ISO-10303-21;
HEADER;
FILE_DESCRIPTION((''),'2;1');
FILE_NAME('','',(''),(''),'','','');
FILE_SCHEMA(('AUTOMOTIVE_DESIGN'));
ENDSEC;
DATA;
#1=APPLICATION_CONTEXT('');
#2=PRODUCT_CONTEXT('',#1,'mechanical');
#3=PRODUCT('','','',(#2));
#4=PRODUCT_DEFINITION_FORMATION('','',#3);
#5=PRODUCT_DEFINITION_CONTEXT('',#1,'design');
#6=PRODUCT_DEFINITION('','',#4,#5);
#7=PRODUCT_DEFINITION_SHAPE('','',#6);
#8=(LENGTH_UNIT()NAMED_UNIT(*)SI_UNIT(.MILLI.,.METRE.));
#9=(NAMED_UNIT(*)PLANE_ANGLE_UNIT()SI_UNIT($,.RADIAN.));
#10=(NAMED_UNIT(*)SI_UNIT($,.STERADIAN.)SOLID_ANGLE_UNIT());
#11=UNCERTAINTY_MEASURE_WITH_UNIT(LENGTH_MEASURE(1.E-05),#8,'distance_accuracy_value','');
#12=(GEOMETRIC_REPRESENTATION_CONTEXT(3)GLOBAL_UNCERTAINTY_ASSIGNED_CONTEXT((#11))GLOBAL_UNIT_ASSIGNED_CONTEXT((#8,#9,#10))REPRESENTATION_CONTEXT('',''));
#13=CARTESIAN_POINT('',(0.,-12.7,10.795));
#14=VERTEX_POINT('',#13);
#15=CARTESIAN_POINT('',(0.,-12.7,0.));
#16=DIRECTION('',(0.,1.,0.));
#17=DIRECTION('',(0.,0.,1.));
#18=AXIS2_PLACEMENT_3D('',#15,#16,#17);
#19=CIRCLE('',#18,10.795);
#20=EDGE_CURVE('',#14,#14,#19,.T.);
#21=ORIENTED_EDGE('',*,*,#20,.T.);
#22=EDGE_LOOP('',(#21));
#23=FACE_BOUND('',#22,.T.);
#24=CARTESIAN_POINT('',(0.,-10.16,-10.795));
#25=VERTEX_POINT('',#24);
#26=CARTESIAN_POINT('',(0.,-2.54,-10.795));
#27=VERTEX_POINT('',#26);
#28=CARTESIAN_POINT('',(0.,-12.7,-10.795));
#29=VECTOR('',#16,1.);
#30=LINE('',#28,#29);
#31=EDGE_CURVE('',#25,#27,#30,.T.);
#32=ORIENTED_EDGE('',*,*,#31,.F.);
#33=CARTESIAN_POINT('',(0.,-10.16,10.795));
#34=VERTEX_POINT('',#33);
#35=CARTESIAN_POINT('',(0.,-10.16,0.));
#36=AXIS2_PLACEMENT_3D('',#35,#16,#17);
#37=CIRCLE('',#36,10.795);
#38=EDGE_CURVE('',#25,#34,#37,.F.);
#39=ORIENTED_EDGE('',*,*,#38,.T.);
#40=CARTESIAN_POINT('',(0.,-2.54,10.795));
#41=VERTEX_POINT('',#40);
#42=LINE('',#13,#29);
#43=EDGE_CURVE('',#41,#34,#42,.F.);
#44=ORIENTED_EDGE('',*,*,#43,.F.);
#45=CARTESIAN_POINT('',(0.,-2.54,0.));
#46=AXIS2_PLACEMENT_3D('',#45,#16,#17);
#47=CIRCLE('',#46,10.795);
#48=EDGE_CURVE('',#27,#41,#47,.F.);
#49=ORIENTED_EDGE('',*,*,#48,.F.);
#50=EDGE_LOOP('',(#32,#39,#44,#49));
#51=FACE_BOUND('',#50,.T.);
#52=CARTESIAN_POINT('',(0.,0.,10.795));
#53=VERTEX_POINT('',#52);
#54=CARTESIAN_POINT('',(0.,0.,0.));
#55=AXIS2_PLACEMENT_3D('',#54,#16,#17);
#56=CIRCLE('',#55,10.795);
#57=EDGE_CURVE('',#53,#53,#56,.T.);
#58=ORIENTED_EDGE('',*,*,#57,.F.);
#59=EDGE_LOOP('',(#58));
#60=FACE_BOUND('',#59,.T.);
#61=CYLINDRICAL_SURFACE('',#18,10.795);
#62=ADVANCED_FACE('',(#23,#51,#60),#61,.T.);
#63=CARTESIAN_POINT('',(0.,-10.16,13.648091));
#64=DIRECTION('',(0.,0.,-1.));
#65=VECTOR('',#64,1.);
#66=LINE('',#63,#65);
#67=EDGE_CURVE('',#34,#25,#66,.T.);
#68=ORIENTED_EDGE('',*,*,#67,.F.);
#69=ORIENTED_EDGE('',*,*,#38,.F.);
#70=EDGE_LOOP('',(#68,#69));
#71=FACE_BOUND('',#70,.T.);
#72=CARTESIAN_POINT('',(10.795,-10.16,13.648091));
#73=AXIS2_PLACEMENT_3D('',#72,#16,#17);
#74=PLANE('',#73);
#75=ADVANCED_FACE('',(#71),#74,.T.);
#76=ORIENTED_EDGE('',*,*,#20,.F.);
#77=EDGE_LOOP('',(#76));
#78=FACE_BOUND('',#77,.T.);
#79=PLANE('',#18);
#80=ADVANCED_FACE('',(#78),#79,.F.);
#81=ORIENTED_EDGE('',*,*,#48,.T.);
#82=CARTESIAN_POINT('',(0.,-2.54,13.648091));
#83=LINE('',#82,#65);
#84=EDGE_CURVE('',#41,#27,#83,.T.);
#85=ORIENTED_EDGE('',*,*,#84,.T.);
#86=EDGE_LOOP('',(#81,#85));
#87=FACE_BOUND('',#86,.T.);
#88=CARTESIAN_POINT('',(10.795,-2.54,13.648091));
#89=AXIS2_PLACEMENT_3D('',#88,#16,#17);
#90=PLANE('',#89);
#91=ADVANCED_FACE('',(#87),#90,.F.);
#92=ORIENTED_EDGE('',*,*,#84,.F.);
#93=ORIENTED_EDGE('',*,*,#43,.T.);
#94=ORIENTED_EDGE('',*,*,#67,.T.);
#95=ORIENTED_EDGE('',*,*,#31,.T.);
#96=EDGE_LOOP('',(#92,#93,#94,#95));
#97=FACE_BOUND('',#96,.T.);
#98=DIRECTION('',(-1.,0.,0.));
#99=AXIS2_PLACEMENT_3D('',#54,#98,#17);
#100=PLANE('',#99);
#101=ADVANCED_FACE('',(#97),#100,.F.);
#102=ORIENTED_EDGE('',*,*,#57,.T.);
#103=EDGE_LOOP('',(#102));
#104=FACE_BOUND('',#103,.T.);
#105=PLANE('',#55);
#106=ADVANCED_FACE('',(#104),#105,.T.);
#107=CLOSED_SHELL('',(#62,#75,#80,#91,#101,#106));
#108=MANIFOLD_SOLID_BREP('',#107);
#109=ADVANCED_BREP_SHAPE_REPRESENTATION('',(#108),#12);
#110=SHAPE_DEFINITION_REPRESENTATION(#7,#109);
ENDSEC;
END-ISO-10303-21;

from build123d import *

# Parameters (mm, degrees)
SKETCH2_R           = 10.795
BOSS_EXTRUDE1_DEPTH = 12.7
SKETCH3_W           = 25.439299018
SKETCH3_H           = 7.62
CUT_EXTRUDE1_DEPTH  = 20.858349629


with BuildPart() as part:
    # Sketch2 → Boss-Extrude1 (new body)
    with BuildSketch(Plane(origin=(0, 0, 0), x_dir=(1, 0, 0), z_dir=(0, 1, 0))):
        with Locations(Location((0, 0, 0), (0, 0, 270))):
            Circle(SKETCH2_R)
    extrude(amount=-BOSS_EXTRUDE1_DEPTH)

    # Sketch3 → Cut-Extrude1 (cut, through all)
    with BuildSketch(Plane(origin=(0, 0, 0), x_dir=(0, 0, -1), z_dir=(1, 0, 0))):
        with Locations((-0.92844157, -6.35)):
            Rectangle(SKETCH3_W, SKETCH3_H)
    extrude(amount=CUT_EXTRUDE1_DEPTH, mode=Mode.SUBTRACT)


solid = part.part
